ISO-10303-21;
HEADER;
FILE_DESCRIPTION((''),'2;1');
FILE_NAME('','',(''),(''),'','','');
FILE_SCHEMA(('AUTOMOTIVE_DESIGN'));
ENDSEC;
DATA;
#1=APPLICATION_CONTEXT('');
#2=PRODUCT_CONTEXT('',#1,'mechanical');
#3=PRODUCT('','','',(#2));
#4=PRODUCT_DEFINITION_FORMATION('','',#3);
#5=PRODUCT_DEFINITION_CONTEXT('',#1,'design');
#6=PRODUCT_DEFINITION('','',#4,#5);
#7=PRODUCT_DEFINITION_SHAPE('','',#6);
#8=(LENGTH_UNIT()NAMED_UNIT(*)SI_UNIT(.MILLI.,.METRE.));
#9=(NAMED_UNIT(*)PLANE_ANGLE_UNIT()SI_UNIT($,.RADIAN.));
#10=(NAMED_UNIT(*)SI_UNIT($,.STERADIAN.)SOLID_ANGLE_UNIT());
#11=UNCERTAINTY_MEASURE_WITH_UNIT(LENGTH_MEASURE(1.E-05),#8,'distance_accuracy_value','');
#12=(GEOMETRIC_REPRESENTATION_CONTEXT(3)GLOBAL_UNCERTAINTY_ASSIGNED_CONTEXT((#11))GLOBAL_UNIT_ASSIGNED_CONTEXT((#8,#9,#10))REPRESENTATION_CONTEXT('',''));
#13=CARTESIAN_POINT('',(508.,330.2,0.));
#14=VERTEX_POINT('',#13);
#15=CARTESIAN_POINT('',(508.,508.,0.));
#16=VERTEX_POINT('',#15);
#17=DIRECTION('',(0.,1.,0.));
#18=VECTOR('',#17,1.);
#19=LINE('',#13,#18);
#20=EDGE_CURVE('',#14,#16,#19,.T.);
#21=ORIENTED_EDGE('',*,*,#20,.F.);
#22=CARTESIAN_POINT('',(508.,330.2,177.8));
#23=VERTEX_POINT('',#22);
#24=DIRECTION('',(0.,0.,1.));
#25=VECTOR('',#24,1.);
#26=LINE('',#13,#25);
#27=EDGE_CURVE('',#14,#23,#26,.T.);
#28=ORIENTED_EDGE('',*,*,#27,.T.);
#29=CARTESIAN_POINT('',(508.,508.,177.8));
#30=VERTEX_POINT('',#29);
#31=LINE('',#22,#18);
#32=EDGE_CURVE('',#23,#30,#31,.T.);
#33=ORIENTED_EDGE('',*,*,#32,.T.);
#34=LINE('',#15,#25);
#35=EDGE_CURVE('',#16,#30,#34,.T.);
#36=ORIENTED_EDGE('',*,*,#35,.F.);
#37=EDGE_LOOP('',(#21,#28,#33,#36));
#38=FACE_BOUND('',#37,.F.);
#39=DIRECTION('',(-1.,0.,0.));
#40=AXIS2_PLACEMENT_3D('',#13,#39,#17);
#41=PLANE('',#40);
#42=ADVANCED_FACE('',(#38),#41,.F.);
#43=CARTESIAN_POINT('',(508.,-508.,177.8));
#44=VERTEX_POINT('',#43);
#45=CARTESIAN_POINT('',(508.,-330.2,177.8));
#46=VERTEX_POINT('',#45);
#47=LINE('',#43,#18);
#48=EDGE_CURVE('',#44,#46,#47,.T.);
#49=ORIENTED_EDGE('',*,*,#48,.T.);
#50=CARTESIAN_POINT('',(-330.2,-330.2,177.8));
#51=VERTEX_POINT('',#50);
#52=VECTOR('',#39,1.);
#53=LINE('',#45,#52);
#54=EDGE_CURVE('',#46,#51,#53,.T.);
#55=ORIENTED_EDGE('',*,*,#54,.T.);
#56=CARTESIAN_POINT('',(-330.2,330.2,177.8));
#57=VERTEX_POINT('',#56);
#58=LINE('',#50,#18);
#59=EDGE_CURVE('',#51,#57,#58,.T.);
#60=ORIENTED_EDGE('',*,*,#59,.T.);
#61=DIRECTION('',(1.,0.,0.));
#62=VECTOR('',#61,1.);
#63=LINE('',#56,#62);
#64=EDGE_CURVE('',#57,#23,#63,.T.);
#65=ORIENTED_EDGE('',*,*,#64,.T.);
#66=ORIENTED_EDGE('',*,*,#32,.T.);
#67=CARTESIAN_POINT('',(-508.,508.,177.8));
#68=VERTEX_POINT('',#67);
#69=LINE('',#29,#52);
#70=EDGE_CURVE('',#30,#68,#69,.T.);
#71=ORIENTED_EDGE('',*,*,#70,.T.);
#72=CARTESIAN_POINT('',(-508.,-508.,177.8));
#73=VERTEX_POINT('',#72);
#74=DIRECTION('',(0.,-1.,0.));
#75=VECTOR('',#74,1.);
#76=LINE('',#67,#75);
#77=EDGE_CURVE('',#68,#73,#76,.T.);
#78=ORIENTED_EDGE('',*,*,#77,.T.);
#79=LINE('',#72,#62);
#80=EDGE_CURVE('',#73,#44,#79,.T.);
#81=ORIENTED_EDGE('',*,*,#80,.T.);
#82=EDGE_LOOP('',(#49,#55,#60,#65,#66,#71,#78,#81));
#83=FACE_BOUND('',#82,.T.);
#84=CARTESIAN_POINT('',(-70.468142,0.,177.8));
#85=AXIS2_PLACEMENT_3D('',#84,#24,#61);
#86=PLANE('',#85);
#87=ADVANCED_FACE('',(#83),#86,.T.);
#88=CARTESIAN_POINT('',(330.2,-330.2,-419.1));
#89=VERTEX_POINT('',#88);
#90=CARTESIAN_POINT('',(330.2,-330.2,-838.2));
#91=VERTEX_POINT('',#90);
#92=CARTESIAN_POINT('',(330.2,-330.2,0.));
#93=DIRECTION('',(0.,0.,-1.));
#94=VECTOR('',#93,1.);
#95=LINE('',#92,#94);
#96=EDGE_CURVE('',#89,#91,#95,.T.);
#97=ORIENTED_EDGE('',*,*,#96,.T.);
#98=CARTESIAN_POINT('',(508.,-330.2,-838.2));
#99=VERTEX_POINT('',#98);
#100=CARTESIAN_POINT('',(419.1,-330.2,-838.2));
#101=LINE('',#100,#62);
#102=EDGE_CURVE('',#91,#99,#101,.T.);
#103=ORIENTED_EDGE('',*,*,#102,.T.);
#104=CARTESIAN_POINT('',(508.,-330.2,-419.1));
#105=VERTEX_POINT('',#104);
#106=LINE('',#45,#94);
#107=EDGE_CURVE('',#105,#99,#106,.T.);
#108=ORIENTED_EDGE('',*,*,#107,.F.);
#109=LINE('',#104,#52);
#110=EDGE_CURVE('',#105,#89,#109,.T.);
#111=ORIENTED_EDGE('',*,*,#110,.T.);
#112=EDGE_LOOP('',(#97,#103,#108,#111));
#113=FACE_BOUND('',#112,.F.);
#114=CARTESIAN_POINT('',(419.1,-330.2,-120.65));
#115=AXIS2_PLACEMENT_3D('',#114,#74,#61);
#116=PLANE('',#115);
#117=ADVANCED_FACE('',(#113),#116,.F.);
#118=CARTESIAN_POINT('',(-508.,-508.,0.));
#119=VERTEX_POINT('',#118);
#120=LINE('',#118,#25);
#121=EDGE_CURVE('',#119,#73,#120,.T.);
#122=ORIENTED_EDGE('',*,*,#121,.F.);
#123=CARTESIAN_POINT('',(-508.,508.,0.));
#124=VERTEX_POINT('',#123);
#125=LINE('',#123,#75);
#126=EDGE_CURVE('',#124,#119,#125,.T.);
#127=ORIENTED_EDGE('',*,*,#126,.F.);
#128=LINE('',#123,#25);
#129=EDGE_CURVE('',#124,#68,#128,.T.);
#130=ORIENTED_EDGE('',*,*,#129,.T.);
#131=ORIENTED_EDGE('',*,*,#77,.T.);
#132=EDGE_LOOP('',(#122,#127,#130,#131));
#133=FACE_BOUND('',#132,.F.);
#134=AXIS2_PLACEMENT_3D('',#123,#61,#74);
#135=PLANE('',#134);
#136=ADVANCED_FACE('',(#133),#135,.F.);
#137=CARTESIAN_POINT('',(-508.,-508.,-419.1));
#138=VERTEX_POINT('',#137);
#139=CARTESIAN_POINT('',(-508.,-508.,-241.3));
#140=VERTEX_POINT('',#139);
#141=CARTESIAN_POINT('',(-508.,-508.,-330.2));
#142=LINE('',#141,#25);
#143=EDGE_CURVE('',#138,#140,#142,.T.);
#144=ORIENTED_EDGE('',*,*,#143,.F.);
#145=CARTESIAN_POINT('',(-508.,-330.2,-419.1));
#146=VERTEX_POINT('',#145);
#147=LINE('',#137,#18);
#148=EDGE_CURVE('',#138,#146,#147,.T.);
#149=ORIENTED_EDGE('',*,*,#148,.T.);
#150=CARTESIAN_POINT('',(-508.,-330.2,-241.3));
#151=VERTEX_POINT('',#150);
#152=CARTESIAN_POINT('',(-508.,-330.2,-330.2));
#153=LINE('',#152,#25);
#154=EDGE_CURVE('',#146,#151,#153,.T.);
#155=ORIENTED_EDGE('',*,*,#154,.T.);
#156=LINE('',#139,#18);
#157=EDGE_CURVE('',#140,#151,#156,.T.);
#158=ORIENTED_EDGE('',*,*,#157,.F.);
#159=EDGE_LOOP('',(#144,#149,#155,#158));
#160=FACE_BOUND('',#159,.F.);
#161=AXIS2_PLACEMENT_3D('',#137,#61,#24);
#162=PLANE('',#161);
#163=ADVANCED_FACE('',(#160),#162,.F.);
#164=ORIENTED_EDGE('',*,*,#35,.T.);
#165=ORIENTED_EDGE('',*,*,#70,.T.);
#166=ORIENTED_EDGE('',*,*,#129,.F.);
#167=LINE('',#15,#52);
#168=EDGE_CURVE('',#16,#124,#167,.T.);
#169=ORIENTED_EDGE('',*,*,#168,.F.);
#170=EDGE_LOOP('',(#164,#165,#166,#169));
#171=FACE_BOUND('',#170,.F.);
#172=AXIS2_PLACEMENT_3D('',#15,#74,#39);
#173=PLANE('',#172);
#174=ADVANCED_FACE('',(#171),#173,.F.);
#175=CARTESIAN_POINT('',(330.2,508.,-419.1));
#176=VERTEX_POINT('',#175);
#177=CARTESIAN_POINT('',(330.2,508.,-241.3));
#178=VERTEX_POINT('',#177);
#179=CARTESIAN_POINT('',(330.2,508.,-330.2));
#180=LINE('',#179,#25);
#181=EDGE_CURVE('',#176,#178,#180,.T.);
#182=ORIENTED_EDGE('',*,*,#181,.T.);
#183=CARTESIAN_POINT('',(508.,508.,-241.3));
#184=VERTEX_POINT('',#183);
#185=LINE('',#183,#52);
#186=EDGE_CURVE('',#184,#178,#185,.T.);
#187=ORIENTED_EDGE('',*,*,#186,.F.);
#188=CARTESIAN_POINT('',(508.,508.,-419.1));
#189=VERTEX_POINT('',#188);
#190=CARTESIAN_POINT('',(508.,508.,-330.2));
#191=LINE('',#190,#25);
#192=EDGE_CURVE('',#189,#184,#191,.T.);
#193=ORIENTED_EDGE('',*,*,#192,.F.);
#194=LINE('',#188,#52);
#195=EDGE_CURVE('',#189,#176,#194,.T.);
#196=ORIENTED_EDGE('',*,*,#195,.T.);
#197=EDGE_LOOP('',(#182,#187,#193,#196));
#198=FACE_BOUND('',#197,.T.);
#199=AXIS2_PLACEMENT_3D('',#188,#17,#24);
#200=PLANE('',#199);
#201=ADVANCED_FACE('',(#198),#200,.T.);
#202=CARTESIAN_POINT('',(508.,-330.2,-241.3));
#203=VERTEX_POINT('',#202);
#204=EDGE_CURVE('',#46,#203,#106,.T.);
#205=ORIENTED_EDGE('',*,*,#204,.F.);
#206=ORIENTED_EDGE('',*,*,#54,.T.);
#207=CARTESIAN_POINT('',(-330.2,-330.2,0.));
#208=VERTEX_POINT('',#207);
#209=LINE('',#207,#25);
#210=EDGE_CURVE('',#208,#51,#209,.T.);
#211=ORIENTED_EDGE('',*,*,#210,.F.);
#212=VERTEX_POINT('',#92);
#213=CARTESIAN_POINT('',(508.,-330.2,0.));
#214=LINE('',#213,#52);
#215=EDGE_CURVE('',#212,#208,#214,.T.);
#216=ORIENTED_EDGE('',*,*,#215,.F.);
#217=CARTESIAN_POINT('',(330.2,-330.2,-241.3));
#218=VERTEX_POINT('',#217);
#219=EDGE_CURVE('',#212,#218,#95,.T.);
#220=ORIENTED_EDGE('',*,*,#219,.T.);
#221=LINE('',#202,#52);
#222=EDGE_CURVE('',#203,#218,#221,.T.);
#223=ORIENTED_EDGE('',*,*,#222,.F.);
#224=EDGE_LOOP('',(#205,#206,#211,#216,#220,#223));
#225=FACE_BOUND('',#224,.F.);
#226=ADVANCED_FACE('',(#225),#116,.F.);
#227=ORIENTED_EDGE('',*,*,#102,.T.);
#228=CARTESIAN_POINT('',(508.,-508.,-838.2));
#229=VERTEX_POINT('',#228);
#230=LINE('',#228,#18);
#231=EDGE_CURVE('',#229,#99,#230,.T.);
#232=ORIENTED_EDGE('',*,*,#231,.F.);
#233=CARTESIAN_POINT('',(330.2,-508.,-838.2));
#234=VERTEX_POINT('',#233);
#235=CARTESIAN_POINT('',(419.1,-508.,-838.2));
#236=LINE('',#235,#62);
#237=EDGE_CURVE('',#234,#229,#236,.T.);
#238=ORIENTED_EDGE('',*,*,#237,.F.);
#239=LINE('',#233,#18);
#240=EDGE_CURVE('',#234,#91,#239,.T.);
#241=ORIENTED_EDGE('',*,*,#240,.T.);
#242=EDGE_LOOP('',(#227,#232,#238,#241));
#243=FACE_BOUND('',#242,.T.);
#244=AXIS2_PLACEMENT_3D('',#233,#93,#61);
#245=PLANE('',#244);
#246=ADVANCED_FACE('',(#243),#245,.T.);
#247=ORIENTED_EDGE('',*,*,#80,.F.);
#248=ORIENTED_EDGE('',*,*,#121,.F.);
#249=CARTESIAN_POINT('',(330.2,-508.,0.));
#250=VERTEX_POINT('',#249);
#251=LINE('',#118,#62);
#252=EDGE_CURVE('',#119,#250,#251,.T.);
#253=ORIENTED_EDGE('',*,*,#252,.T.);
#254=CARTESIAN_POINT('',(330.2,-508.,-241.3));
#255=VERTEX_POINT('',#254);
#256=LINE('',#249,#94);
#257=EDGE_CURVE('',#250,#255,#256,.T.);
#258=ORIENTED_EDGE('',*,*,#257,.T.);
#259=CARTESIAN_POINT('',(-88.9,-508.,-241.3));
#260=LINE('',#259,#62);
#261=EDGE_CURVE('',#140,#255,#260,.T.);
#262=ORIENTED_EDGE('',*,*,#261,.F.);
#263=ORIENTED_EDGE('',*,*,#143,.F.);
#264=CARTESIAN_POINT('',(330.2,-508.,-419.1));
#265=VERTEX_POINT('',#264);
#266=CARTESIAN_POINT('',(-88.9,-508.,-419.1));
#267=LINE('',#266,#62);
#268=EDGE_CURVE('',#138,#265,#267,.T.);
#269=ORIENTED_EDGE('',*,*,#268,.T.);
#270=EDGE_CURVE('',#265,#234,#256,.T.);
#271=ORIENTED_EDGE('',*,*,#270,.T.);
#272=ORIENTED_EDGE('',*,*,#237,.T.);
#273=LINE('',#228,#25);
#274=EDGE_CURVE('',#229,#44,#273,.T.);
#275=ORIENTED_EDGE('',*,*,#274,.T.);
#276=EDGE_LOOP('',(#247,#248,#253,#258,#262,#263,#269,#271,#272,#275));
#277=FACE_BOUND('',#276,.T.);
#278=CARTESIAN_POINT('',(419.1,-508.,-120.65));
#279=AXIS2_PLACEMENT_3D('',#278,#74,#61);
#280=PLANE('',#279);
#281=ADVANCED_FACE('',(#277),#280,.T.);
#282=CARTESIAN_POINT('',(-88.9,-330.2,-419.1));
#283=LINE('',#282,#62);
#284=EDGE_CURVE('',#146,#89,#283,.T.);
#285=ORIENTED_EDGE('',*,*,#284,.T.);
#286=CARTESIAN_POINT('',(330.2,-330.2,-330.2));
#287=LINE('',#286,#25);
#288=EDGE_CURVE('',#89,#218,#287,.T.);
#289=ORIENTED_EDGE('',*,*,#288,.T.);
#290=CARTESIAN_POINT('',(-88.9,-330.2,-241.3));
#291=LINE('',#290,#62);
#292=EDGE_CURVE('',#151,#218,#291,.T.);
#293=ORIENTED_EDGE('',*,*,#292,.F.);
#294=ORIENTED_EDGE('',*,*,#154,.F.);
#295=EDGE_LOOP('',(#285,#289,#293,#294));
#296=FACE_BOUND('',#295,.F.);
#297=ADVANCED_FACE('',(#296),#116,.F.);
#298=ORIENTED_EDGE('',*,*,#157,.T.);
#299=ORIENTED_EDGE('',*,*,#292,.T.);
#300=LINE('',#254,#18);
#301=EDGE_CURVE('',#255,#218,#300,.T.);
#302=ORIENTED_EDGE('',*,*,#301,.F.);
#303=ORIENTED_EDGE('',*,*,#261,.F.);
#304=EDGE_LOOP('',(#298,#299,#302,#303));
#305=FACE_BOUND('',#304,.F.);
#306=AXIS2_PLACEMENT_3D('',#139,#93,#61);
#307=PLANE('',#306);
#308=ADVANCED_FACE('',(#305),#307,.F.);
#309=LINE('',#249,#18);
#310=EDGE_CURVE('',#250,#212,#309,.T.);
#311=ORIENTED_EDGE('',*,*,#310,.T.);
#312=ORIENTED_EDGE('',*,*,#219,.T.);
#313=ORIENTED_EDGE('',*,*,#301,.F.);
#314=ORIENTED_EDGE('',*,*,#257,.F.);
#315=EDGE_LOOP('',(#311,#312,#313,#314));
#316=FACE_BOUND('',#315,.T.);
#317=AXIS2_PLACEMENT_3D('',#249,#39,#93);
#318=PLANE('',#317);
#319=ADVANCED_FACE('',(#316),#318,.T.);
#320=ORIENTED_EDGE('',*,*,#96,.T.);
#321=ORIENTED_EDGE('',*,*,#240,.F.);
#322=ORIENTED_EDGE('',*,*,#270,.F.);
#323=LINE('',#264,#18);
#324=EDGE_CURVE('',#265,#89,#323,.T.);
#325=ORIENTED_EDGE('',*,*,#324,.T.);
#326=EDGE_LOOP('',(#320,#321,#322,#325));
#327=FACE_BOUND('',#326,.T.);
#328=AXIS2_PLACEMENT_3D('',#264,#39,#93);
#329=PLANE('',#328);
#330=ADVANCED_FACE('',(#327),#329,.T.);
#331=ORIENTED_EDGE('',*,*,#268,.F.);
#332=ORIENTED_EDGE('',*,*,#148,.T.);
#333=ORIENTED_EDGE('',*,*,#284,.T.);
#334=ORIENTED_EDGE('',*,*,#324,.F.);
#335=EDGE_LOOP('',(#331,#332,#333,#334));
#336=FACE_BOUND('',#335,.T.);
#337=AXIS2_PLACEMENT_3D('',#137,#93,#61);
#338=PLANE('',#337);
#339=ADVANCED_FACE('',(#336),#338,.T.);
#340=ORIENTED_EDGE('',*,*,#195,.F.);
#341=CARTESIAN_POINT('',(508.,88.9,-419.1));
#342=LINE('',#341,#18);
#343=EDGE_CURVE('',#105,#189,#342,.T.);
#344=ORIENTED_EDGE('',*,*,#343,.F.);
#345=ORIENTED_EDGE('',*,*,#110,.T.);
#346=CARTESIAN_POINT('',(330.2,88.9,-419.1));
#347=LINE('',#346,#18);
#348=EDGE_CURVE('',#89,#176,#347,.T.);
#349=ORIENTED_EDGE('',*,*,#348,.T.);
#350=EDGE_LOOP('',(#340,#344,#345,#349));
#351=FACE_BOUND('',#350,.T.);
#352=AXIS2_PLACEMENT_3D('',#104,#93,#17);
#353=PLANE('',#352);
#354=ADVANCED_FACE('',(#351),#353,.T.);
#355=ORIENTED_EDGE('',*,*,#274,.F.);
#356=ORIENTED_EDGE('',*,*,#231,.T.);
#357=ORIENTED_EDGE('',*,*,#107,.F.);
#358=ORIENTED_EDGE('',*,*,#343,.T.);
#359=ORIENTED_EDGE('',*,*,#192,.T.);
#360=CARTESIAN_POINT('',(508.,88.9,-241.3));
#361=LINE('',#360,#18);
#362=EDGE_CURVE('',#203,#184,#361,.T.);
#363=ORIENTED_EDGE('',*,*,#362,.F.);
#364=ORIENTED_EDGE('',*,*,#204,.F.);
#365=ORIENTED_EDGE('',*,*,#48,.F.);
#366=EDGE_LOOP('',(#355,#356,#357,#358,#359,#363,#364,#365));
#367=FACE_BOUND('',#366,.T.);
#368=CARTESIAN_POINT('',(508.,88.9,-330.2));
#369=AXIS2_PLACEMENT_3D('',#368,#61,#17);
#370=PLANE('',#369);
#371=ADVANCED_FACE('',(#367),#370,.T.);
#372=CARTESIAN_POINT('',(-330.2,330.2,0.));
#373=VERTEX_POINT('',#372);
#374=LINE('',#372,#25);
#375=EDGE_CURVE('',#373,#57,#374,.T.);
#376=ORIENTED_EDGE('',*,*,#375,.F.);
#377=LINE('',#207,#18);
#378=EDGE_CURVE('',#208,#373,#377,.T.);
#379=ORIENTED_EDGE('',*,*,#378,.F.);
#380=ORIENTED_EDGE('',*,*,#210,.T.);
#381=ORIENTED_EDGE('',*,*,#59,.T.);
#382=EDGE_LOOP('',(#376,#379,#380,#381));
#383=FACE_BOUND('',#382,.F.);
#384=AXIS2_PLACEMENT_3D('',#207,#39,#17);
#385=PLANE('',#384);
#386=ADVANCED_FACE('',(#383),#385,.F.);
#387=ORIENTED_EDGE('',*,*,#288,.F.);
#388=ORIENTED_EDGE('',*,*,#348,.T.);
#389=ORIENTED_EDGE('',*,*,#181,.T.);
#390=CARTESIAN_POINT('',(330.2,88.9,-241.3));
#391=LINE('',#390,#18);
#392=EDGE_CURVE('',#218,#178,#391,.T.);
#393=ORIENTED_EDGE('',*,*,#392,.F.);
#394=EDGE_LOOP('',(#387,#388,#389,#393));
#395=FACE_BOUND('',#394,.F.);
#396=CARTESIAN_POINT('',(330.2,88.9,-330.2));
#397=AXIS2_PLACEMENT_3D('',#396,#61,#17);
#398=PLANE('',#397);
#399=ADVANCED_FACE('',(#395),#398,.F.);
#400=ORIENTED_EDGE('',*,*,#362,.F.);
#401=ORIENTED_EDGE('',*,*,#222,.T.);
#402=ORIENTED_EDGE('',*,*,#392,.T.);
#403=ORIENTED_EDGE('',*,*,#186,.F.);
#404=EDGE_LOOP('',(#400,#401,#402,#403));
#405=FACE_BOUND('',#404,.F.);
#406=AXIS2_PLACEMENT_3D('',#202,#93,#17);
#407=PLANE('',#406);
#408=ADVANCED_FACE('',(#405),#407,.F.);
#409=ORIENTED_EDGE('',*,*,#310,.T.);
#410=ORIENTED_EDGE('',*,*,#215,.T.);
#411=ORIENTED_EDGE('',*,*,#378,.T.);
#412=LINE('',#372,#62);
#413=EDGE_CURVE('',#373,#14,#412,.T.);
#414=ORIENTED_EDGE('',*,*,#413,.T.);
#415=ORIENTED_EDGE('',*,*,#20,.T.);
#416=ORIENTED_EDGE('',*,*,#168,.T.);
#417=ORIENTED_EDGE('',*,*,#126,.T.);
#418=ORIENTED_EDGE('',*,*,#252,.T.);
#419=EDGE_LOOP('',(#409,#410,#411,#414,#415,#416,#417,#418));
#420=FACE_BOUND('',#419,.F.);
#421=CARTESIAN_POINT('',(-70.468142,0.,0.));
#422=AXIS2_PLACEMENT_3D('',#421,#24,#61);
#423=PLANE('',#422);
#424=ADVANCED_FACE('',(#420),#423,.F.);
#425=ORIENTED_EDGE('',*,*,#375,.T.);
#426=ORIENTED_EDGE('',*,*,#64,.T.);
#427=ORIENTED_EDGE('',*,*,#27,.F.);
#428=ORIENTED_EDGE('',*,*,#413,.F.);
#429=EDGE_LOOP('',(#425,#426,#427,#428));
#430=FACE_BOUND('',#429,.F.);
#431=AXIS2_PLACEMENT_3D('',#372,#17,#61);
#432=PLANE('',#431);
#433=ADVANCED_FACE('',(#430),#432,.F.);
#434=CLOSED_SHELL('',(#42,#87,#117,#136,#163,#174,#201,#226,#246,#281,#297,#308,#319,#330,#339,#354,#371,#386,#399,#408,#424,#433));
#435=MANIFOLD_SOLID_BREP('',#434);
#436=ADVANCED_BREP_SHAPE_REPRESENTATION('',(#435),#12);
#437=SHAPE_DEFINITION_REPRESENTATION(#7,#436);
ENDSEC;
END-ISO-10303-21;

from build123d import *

# Parameters (mm, degrees)
F1_DEPTH = 177.8
F2_W     = 177.8
F2_H     = 241.3
F2_H_2   = 177.8
F2_H_3   = 419.1
F2_W_2   = 838.2
F3_DEPTH = 177.8
F4_W     = 838.2
F4_H     = 177.8
F5_DEPTH = 177.8


with BuildPart() as f1:
    # F0 (on Top) → F1 (new body)
    with BuildSketch(Plane.XY):
        Polygon((508, 330.2), (508, 508), (-508, 508), (-508, -508), (508, -508), (508, -330.2), (-330.2, -330.2), (-330.2, 330.2), align=None)
    extrude(amount=F1_DEPTH)

    # F2 (on face) → F3 (join)
    with BuildSketch(Plane.XZ.offset(508)):
        with Locations((419.1, -120.65)):
            Rectangle(F2_W, F2_H)
        with Locations((419.1, -330.2)):
            Rectangle(F2_W, F2_H_2)
        with Locations((419.1, -628.65)):
            Rectangle(F2_W, F2_H_3)
        with Locations((-88.9, -330.2)):
            Rectangle(F2_W_2, F2_H_2)
    extrude(amount=-F3_DEPTH)

    # F4 (on face) → F5 (join)
    with BuildSketch(Plane.YZ.offset(508)):
        with Locations((88.9, -330.2)):
            Rectangle(F4_W, F4_H)
    extrude(amount=-F5_DEPTH)


solid = f1.part
